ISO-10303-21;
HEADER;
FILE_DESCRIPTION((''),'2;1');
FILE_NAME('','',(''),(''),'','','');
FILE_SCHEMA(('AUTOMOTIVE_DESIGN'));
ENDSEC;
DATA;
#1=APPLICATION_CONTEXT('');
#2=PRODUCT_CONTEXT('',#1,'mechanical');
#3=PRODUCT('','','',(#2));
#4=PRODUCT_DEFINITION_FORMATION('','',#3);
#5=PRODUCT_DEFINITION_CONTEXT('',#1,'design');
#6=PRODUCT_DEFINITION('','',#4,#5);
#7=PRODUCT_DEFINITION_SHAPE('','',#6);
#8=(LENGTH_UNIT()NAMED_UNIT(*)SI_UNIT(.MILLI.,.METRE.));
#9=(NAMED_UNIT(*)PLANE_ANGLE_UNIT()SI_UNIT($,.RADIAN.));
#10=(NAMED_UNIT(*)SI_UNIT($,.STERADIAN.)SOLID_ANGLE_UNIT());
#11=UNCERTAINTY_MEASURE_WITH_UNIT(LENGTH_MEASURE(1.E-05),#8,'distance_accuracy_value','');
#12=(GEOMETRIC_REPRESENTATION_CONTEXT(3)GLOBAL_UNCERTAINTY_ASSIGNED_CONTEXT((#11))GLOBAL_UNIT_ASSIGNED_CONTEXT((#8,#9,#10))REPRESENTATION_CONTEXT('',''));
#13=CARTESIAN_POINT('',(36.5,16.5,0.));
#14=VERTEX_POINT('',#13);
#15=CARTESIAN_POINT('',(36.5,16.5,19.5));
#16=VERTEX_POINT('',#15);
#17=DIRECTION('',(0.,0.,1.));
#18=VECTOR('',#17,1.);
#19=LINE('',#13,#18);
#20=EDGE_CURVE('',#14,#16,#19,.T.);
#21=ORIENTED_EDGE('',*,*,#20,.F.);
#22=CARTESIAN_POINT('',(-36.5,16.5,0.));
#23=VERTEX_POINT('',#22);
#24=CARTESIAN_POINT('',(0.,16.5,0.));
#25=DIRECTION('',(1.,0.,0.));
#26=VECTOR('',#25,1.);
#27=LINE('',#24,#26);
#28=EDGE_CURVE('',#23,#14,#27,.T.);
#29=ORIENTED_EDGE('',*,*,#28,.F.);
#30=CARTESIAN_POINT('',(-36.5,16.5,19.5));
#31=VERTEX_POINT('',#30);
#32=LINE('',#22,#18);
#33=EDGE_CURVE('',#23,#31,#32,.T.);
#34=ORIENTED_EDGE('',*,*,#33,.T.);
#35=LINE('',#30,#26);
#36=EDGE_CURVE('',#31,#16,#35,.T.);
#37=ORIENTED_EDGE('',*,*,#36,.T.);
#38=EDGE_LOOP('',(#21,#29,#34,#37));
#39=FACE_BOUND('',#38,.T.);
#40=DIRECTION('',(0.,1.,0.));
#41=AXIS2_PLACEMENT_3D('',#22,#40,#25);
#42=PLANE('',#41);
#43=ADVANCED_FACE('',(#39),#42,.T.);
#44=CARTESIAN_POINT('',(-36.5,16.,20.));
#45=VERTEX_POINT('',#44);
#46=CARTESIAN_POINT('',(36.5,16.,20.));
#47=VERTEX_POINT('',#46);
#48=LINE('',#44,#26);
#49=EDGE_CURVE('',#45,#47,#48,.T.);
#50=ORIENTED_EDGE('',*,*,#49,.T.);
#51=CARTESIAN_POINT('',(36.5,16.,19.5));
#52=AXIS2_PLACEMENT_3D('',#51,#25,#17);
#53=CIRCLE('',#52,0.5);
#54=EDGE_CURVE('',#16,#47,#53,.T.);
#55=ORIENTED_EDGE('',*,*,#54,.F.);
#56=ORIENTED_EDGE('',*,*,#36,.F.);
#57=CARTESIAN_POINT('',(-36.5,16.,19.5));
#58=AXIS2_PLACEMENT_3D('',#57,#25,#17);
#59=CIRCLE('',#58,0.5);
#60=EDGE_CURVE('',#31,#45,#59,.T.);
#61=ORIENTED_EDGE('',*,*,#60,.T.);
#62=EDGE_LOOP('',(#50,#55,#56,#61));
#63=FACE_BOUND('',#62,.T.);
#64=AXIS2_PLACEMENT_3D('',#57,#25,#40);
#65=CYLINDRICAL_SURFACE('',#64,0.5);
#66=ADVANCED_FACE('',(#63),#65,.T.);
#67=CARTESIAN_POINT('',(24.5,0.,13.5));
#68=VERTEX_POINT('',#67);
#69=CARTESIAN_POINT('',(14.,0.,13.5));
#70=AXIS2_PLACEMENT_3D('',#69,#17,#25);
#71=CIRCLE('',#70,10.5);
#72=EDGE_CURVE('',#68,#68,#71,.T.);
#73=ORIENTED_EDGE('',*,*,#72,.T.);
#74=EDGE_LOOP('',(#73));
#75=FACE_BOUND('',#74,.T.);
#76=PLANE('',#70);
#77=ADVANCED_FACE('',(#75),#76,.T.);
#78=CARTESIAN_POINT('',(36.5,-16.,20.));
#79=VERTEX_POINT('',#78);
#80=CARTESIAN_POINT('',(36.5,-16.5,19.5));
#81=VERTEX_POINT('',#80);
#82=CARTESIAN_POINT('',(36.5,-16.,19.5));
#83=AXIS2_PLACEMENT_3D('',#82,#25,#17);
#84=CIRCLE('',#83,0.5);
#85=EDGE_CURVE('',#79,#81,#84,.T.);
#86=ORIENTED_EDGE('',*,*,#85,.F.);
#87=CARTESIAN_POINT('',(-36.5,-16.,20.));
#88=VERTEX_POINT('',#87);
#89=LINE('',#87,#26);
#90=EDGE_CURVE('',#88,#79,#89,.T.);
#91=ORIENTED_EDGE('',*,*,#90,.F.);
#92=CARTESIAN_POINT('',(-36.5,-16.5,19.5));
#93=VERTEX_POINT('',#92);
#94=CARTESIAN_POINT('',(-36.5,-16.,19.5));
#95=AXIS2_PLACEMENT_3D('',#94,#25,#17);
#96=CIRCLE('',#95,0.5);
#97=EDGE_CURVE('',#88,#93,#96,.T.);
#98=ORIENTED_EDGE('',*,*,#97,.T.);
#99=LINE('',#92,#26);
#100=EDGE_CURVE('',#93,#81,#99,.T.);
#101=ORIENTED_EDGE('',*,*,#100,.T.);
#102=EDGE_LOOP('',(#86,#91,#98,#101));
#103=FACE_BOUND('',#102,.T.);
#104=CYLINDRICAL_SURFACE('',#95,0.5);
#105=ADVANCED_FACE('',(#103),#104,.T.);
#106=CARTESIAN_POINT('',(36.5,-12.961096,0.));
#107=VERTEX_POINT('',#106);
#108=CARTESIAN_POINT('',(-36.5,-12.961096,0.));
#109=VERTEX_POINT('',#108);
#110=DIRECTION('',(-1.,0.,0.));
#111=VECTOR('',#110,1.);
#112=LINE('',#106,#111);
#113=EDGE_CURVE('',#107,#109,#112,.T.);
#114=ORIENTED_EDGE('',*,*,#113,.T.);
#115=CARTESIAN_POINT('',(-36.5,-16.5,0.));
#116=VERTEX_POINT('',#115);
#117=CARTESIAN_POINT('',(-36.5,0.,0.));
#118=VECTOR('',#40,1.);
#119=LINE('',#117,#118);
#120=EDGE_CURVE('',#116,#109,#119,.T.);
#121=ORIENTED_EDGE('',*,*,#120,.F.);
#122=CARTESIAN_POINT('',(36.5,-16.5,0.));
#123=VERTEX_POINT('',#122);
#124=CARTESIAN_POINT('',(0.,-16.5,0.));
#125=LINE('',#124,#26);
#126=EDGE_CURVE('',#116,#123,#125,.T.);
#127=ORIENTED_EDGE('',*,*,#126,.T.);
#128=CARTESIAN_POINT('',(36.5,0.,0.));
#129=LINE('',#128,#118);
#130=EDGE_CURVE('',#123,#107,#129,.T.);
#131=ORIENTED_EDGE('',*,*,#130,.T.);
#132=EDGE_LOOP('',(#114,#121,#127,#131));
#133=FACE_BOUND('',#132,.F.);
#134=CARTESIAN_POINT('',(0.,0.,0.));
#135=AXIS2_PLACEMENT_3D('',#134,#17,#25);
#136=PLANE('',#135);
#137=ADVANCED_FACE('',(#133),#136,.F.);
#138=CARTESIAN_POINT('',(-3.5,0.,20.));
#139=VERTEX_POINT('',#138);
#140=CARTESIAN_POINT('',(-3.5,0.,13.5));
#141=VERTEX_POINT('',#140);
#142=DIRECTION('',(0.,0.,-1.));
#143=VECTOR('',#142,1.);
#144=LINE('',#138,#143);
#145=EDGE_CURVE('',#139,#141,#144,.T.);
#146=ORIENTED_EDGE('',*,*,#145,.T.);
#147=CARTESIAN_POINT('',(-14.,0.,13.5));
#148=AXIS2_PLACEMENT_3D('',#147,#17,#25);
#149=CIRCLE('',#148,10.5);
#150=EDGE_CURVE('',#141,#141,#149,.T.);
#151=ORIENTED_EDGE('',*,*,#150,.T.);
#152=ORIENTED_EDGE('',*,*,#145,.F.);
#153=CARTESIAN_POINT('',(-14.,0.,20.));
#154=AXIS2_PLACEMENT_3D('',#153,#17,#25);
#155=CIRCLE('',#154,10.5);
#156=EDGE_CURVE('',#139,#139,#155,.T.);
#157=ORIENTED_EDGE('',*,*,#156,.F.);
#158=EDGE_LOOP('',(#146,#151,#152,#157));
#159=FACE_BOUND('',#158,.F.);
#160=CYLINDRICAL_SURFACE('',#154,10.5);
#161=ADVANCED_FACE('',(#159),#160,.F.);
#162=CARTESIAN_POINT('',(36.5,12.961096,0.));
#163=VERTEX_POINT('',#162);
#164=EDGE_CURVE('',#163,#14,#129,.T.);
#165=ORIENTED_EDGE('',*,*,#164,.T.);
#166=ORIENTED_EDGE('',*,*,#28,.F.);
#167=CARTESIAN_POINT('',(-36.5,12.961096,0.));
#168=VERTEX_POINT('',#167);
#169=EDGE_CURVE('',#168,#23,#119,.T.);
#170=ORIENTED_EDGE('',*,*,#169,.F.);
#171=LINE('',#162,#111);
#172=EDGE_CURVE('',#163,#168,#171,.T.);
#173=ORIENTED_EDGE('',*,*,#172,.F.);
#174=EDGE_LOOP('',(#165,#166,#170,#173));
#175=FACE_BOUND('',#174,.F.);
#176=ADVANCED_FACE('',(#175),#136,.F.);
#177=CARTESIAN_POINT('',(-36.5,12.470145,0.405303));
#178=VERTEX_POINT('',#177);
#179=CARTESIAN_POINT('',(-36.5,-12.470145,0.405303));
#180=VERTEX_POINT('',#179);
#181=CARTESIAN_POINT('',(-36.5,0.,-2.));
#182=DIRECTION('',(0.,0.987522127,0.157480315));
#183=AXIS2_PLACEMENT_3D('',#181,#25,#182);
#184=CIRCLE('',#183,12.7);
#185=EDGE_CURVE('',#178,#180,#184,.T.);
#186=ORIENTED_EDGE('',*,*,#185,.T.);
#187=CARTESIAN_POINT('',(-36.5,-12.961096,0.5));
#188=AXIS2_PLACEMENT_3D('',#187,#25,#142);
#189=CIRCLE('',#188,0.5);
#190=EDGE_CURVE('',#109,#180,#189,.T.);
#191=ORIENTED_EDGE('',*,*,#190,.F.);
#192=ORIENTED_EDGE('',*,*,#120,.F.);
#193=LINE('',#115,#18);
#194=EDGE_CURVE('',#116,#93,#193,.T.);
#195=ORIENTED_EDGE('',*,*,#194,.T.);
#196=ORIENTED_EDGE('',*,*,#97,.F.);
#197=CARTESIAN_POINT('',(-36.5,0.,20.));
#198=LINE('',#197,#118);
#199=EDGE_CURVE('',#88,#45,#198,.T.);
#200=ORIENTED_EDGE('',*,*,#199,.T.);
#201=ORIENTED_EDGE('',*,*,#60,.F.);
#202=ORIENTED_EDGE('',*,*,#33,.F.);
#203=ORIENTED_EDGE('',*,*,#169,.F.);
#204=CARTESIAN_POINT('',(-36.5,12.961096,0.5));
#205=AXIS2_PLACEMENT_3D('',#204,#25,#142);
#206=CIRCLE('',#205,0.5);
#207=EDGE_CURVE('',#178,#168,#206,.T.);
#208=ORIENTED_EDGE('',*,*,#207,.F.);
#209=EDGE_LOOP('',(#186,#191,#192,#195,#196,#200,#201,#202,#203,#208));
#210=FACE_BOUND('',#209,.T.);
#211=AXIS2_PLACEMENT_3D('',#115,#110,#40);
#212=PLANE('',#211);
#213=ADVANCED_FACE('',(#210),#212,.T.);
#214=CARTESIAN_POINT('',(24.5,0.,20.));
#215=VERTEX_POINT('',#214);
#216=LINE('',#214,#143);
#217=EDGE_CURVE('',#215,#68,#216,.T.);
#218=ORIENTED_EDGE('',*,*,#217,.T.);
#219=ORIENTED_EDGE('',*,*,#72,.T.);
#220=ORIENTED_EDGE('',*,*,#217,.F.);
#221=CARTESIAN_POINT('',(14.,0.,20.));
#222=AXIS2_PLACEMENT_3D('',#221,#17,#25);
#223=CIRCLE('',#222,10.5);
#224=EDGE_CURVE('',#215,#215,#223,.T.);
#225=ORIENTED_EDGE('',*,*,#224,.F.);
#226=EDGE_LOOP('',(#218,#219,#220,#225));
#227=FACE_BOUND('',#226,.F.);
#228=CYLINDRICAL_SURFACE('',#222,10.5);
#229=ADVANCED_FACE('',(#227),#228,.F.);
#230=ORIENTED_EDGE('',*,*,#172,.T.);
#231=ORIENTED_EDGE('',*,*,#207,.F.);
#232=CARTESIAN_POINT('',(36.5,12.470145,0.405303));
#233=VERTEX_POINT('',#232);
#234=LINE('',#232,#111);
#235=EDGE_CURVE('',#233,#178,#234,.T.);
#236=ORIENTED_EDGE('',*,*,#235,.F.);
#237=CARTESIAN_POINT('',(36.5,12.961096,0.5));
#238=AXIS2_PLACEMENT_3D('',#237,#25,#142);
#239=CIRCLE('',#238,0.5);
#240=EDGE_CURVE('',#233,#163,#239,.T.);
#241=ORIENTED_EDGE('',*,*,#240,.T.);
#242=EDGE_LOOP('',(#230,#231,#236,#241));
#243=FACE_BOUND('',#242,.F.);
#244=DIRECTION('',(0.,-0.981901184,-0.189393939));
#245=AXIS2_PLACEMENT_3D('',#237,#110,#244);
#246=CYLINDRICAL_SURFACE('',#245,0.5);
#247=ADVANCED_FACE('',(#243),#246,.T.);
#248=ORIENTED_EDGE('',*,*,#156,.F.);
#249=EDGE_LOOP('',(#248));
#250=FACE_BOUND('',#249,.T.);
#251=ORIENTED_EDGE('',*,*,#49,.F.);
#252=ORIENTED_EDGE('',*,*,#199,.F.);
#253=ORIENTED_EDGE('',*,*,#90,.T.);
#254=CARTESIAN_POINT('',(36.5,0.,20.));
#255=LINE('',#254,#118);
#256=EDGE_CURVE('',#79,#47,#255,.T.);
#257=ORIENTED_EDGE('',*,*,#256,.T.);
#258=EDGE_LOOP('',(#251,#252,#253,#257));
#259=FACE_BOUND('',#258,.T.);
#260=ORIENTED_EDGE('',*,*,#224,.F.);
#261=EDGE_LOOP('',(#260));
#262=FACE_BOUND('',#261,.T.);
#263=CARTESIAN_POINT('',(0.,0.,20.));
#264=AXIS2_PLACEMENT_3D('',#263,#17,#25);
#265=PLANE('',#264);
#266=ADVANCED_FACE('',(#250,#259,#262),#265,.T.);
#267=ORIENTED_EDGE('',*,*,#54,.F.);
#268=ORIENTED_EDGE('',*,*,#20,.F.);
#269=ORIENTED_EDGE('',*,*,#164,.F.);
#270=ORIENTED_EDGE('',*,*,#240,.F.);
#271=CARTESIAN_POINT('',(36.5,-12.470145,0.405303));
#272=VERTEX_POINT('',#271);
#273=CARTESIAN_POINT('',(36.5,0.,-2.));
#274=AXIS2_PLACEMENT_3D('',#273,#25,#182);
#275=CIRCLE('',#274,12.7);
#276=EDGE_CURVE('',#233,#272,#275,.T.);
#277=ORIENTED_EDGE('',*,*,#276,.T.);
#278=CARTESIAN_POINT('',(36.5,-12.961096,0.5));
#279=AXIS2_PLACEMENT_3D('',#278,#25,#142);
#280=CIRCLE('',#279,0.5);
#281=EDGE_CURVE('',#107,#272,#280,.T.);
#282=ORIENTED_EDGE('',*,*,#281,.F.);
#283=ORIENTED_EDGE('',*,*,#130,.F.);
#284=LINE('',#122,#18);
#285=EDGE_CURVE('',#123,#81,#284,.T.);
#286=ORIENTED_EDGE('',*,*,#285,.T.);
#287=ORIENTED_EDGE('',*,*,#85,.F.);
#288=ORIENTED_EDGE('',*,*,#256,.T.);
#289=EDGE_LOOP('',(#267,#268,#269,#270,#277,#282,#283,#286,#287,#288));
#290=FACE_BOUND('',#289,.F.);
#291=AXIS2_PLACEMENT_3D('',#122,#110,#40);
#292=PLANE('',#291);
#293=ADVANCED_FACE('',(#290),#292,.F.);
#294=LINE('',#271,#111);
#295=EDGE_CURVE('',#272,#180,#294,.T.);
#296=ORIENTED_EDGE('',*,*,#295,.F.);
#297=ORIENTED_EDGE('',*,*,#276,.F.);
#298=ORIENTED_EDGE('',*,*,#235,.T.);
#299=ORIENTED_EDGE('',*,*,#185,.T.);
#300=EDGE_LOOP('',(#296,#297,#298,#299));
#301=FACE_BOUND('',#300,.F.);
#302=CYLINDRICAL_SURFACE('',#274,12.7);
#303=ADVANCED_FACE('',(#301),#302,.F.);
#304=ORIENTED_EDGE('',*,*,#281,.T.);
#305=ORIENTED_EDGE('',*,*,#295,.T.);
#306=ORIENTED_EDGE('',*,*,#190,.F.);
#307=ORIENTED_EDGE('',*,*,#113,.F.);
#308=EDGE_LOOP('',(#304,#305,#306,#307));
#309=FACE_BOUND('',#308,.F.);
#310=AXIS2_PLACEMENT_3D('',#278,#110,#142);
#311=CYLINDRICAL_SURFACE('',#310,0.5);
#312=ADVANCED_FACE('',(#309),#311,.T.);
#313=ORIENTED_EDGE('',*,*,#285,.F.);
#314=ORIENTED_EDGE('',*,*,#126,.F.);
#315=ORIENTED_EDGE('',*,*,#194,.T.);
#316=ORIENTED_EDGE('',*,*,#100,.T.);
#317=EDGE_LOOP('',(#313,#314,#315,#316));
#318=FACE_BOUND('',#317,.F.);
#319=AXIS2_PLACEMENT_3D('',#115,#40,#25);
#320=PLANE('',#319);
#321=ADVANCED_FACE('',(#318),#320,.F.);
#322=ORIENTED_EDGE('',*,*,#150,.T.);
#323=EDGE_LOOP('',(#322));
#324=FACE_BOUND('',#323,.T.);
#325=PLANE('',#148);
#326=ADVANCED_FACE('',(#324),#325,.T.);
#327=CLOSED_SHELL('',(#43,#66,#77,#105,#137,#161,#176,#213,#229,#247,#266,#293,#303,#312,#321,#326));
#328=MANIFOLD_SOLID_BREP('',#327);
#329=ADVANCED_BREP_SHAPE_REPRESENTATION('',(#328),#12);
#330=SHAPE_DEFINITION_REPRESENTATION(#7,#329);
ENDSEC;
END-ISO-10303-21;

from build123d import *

# Parameters (mm, degrees)
F0_W     = 73
F0_H     = 33
F1_DEPTH = 20
F2_R     = 10.5
F3_DEPTH = 6.5
F5_DEPTH = 73.001
F6_R     = 0.5


with BuildPart() as f1:
    # F0 (on Top) → F1 (new body)
    with BuildSketch(Plane.XY):
        Rectangle(F0_W, F0_H)
    extrude(amount=F1_DEPTH)

    # F2 (on face) → F3 (cut)
    with BuildSketch(Plane.XY.offset(20)):
        with Locations((-14, 0)):
            Circle(F2_R)
        with Locations((14, 0)):
            Circle(F2_R)
    extrude(amount=-F3_DEPTH, mode=Mode.SUBTRACT)

    # F4 (on face) → F5 (cut, through all)
    with BuildSketch(Plane.YZ.offset(36.5)):
        with BuildLine():
            Line((-12.541531007, 0), (12.541531007, 0))
            ThreePointArc((12.541531007, 0), (0, 10.7), (-12.541531007, 0))
        make_face()
        with BuildLine():
            ThreePointArc((-12.541531007, 0), (-1.0031341413, -14.6603207659), (12.7, -2))
            ThreePointArc((12.7, -2), (12.6603207659, -0.9968658587), (12.541531007, 0))
            Line((12.541531007, 0), (-12.541531007, 0))
        make_face()
    extrude(amount=-F5_DEPTH, mode=Mode.SUBTRACT)

    # F6
    f6_edges = [f1.edges().sort_by_distance(p)[0] for p in [
        (0, 16.5, 20),
        (0, -16.5, 20),
        (0, -12.541531, 0),
        (0, 12.541531, 0),
    ]]
    fillet(f6_edges, radius=F6_R)


solid = f1.part
